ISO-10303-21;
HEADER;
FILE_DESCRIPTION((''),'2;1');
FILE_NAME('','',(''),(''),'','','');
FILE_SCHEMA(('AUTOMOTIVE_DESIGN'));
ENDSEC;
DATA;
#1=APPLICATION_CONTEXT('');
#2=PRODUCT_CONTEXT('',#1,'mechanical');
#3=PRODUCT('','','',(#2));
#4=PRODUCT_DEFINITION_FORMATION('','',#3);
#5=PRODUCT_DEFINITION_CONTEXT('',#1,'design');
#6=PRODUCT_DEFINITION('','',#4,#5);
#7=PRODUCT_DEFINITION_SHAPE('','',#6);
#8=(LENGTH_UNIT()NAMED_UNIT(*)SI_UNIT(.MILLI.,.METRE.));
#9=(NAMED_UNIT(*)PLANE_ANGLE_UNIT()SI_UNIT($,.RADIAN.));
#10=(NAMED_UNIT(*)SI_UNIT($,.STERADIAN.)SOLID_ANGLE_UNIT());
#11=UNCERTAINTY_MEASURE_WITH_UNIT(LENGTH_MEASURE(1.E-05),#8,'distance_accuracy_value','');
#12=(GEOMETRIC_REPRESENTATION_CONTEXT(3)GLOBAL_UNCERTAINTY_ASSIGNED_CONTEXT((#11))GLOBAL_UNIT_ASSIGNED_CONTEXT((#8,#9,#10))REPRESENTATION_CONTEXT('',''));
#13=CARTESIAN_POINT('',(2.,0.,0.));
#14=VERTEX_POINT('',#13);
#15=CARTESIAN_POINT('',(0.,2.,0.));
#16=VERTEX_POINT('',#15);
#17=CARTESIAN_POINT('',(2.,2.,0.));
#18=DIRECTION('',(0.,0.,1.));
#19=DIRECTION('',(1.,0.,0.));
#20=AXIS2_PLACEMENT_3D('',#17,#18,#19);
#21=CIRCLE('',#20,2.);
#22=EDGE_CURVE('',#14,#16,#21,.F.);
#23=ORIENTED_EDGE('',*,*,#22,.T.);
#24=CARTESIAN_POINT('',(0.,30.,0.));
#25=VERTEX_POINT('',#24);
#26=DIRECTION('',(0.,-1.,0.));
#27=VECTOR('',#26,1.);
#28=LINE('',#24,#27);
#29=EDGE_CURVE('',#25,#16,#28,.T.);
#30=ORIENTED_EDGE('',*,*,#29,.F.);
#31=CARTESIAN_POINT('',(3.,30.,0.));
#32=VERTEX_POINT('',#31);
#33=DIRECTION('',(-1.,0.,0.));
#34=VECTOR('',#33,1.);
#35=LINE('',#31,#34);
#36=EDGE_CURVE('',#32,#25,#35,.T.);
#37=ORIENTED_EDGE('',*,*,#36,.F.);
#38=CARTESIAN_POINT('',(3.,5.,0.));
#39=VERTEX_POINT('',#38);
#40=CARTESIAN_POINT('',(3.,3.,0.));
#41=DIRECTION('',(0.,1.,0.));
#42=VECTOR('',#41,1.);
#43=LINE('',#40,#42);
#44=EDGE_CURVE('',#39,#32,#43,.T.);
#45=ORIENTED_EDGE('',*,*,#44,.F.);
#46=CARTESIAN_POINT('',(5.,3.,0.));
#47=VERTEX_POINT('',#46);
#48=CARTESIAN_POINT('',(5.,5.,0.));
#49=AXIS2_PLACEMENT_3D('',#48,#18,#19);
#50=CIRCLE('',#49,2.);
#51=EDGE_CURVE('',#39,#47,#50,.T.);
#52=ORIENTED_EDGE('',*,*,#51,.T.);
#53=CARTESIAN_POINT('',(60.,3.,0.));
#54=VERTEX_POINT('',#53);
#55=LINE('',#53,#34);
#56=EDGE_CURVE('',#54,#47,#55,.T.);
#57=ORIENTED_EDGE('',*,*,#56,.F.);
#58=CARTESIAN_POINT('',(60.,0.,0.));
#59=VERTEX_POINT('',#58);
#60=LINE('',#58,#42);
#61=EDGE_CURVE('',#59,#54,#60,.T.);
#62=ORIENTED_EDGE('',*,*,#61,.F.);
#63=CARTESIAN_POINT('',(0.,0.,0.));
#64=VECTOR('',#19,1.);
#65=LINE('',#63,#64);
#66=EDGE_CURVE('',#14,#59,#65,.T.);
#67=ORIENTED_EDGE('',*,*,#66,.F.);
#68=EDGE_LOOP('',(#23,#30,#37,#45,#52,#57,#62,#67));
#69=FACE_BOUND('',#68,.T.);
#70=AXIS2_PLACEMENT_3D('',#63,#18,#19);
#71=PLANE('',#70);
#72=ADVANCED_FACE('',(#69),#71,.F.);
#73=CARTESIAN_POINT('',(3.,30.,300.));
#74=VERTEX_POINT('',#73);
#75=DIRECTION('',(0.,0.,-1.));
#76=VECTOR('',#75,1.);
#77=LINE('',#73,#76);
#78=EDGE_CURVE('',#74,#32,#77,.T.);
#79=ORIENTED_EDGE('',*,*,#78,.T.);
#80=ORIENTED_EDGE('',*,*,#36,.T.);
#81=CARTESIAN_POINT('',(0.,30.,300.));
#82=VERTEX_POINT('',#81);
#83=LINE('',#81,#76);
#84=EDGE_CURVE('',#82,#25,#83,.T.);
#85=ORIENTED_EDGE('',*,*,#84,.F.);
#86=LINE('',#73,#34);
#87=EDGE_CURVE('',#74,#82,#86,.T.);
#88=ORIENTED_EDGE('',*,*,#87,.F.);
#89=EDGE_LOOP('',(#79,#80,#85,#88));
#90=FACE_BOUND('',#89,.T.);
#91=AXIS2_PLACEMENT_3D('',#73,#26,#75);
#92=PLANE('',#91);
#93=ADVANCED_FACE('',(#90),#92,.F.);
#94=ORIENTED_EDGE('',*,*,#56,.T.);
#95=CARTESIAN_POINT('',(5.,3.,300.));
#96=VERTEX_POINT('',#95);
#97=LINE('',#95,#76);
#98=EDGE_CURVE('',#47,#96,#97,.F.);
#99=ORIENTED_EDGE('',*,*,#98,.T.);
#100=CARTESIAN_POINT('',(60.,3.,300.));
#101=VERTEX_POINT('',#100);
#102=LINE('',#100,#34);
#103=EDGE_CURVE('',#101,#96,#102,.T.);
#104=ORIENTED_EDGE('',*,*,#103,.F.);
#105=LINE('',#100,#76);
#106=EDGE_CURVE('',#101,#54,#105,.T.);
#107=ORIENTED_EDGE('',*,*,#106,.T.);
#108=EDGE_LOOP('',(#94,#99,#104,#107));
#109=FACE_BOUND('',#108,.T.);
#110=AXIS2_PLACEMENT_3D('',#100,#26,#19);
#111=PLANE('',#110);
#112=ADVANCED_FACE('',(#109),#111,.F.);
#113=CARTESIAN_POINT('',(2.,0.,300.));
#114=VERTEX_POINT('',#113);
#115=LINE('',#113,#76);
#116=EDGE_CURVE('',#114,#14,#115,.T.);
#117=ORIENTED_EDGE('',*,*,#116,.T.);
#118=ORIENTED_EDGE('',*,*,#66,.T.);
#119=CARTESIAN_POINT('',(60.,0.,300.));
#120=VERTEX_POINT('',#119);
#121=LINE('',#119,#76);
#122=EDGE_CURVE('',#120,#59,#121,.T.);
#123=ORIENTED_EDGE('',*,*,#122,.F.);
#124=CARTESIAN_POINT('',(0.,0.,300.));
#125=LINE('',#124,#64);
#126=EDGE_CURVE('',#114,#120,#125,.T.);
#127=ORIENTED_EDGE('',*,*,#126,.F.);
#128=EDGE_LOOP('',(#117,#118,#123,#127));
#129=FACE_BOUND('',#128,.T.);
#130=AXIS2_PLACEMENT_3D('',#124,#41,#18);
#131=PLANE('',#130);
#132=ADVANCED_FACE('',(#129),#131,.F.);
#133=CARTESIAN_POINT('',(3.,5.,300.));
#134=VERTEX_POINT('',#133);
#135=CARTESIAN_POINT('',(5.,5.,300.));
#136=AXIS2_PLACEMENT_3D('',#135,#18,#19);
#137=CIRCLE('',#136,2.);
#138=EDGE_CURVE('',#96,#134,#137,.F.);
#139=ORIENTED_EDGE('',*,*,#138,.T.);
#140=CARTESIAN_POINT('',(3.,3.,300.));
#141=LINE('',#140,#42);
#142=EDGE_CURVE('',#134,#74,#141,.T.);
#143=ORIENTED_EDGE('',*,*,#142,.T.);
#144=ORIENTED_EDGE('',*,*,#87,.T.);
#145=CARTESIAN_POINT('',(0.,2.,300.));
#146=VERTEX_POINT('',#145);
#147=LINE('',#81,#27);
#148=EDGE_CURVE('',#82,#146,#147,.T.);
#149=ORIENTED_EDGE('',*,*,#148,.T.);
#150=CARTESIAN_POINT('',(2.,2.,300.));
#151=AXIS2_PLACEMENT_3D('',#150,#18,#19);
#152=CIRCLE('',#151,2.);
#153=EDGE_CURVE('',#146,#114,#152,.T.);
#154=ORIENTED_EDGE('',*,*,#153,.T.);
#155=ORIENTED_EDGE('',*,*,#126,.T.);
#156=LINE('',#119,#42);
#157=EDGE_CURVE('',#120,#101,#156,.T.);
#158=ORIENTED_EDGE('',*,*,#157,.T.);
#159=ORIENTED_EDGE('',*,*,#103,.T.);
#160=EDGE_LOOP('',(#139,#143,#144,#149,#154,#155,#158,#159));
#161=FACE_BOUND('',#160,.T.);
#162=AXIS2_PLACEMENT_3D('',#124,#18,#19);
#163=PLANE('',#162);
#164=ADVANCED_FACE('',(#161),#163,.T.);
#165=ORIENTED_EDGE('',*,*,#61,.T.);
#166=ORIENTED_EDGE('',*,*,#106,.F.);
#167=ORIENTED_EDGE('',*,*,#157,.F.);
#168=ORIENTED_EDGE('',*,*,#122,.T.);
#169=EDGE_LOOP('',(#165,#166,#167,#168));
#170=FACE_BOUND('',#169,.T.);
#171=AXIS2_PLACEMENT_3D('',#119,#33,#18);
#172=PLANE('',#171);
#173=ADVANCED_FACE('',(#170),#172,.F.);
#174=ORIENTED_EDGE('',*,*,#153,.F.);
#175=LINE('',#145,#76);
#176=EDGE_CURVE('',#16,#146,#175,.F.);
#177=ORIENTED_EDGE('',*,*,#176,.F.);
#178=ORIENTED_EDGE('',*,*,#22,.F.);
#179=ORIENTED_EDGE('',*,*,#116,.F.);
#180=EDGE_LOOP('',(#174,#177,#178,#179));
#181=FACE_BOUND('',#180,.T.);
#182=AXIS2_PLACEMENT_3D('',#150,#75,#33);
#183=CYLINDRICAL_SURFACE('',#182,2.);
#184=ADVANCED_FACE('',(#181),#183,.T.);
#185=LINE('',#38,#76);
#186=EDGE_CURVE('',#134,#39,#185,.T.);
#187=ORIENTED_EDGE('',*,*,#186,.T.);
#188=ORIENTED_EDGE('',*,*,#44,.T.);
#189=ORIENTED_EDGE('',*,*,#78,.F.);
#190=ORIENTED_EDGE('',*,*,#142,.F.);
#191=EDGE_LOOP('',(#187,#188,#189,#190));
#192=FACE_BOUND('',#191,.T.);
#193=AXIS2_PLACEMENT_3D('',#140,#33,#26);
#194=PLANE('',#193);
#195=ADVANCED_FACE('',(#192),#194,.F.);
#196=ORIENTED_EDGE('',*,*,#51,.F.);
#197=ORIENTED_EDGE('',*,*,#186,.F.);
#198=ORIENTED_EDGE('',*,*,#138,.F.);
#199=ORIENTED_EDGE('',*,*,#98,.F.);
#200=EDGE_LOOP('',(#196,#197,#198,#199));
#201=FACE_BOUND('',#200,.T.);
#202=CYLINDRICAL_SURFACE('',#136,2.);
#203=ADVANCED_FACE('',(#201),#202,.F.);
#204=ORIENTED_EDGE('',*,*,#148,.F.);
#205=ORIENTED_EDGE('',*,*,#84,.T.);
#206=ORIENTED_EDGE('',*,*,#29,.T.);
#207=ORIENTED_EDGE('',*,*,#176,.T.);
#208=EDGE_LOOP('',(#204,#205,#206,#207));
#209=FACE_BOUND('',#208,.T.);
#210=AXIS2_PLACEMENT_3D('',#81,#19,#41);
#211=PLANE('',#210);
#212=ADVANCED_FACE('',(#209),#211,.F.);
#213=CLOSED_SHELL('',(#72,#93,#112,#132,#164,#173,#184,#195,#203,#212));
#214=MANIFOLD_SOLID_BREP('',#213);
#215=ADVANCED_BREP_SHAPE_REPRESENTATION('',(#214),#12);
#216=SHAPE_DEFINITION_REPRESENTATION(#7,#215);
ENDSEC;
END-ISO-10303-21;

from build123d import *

# Parameters (mm, degrees)
BOSS_EXTRUDE1_DEPTH = 300
FILLET1_R           = 2


with BuildPart() as part:
    # Sketch1 → Boss-Extrude1 (new body)
    with BuildSketch(Plane.XY):
        Polygon((0, 30), (0, 0), (60, 0), (60, 3), (3, 3), (3, 30), align=None)
    extrude(amount=BOSS_EXTRUDE1_DEPTH)

    # Fillet1
    fillet1_edges = [part.edges().sort_by_distance(p)[0] for p in [
        (3, 3, 150),
        (0, 0, 150),
    ]]
    fillet(fillet1_edges, radius=FILLET1_R)


solid = part.part
